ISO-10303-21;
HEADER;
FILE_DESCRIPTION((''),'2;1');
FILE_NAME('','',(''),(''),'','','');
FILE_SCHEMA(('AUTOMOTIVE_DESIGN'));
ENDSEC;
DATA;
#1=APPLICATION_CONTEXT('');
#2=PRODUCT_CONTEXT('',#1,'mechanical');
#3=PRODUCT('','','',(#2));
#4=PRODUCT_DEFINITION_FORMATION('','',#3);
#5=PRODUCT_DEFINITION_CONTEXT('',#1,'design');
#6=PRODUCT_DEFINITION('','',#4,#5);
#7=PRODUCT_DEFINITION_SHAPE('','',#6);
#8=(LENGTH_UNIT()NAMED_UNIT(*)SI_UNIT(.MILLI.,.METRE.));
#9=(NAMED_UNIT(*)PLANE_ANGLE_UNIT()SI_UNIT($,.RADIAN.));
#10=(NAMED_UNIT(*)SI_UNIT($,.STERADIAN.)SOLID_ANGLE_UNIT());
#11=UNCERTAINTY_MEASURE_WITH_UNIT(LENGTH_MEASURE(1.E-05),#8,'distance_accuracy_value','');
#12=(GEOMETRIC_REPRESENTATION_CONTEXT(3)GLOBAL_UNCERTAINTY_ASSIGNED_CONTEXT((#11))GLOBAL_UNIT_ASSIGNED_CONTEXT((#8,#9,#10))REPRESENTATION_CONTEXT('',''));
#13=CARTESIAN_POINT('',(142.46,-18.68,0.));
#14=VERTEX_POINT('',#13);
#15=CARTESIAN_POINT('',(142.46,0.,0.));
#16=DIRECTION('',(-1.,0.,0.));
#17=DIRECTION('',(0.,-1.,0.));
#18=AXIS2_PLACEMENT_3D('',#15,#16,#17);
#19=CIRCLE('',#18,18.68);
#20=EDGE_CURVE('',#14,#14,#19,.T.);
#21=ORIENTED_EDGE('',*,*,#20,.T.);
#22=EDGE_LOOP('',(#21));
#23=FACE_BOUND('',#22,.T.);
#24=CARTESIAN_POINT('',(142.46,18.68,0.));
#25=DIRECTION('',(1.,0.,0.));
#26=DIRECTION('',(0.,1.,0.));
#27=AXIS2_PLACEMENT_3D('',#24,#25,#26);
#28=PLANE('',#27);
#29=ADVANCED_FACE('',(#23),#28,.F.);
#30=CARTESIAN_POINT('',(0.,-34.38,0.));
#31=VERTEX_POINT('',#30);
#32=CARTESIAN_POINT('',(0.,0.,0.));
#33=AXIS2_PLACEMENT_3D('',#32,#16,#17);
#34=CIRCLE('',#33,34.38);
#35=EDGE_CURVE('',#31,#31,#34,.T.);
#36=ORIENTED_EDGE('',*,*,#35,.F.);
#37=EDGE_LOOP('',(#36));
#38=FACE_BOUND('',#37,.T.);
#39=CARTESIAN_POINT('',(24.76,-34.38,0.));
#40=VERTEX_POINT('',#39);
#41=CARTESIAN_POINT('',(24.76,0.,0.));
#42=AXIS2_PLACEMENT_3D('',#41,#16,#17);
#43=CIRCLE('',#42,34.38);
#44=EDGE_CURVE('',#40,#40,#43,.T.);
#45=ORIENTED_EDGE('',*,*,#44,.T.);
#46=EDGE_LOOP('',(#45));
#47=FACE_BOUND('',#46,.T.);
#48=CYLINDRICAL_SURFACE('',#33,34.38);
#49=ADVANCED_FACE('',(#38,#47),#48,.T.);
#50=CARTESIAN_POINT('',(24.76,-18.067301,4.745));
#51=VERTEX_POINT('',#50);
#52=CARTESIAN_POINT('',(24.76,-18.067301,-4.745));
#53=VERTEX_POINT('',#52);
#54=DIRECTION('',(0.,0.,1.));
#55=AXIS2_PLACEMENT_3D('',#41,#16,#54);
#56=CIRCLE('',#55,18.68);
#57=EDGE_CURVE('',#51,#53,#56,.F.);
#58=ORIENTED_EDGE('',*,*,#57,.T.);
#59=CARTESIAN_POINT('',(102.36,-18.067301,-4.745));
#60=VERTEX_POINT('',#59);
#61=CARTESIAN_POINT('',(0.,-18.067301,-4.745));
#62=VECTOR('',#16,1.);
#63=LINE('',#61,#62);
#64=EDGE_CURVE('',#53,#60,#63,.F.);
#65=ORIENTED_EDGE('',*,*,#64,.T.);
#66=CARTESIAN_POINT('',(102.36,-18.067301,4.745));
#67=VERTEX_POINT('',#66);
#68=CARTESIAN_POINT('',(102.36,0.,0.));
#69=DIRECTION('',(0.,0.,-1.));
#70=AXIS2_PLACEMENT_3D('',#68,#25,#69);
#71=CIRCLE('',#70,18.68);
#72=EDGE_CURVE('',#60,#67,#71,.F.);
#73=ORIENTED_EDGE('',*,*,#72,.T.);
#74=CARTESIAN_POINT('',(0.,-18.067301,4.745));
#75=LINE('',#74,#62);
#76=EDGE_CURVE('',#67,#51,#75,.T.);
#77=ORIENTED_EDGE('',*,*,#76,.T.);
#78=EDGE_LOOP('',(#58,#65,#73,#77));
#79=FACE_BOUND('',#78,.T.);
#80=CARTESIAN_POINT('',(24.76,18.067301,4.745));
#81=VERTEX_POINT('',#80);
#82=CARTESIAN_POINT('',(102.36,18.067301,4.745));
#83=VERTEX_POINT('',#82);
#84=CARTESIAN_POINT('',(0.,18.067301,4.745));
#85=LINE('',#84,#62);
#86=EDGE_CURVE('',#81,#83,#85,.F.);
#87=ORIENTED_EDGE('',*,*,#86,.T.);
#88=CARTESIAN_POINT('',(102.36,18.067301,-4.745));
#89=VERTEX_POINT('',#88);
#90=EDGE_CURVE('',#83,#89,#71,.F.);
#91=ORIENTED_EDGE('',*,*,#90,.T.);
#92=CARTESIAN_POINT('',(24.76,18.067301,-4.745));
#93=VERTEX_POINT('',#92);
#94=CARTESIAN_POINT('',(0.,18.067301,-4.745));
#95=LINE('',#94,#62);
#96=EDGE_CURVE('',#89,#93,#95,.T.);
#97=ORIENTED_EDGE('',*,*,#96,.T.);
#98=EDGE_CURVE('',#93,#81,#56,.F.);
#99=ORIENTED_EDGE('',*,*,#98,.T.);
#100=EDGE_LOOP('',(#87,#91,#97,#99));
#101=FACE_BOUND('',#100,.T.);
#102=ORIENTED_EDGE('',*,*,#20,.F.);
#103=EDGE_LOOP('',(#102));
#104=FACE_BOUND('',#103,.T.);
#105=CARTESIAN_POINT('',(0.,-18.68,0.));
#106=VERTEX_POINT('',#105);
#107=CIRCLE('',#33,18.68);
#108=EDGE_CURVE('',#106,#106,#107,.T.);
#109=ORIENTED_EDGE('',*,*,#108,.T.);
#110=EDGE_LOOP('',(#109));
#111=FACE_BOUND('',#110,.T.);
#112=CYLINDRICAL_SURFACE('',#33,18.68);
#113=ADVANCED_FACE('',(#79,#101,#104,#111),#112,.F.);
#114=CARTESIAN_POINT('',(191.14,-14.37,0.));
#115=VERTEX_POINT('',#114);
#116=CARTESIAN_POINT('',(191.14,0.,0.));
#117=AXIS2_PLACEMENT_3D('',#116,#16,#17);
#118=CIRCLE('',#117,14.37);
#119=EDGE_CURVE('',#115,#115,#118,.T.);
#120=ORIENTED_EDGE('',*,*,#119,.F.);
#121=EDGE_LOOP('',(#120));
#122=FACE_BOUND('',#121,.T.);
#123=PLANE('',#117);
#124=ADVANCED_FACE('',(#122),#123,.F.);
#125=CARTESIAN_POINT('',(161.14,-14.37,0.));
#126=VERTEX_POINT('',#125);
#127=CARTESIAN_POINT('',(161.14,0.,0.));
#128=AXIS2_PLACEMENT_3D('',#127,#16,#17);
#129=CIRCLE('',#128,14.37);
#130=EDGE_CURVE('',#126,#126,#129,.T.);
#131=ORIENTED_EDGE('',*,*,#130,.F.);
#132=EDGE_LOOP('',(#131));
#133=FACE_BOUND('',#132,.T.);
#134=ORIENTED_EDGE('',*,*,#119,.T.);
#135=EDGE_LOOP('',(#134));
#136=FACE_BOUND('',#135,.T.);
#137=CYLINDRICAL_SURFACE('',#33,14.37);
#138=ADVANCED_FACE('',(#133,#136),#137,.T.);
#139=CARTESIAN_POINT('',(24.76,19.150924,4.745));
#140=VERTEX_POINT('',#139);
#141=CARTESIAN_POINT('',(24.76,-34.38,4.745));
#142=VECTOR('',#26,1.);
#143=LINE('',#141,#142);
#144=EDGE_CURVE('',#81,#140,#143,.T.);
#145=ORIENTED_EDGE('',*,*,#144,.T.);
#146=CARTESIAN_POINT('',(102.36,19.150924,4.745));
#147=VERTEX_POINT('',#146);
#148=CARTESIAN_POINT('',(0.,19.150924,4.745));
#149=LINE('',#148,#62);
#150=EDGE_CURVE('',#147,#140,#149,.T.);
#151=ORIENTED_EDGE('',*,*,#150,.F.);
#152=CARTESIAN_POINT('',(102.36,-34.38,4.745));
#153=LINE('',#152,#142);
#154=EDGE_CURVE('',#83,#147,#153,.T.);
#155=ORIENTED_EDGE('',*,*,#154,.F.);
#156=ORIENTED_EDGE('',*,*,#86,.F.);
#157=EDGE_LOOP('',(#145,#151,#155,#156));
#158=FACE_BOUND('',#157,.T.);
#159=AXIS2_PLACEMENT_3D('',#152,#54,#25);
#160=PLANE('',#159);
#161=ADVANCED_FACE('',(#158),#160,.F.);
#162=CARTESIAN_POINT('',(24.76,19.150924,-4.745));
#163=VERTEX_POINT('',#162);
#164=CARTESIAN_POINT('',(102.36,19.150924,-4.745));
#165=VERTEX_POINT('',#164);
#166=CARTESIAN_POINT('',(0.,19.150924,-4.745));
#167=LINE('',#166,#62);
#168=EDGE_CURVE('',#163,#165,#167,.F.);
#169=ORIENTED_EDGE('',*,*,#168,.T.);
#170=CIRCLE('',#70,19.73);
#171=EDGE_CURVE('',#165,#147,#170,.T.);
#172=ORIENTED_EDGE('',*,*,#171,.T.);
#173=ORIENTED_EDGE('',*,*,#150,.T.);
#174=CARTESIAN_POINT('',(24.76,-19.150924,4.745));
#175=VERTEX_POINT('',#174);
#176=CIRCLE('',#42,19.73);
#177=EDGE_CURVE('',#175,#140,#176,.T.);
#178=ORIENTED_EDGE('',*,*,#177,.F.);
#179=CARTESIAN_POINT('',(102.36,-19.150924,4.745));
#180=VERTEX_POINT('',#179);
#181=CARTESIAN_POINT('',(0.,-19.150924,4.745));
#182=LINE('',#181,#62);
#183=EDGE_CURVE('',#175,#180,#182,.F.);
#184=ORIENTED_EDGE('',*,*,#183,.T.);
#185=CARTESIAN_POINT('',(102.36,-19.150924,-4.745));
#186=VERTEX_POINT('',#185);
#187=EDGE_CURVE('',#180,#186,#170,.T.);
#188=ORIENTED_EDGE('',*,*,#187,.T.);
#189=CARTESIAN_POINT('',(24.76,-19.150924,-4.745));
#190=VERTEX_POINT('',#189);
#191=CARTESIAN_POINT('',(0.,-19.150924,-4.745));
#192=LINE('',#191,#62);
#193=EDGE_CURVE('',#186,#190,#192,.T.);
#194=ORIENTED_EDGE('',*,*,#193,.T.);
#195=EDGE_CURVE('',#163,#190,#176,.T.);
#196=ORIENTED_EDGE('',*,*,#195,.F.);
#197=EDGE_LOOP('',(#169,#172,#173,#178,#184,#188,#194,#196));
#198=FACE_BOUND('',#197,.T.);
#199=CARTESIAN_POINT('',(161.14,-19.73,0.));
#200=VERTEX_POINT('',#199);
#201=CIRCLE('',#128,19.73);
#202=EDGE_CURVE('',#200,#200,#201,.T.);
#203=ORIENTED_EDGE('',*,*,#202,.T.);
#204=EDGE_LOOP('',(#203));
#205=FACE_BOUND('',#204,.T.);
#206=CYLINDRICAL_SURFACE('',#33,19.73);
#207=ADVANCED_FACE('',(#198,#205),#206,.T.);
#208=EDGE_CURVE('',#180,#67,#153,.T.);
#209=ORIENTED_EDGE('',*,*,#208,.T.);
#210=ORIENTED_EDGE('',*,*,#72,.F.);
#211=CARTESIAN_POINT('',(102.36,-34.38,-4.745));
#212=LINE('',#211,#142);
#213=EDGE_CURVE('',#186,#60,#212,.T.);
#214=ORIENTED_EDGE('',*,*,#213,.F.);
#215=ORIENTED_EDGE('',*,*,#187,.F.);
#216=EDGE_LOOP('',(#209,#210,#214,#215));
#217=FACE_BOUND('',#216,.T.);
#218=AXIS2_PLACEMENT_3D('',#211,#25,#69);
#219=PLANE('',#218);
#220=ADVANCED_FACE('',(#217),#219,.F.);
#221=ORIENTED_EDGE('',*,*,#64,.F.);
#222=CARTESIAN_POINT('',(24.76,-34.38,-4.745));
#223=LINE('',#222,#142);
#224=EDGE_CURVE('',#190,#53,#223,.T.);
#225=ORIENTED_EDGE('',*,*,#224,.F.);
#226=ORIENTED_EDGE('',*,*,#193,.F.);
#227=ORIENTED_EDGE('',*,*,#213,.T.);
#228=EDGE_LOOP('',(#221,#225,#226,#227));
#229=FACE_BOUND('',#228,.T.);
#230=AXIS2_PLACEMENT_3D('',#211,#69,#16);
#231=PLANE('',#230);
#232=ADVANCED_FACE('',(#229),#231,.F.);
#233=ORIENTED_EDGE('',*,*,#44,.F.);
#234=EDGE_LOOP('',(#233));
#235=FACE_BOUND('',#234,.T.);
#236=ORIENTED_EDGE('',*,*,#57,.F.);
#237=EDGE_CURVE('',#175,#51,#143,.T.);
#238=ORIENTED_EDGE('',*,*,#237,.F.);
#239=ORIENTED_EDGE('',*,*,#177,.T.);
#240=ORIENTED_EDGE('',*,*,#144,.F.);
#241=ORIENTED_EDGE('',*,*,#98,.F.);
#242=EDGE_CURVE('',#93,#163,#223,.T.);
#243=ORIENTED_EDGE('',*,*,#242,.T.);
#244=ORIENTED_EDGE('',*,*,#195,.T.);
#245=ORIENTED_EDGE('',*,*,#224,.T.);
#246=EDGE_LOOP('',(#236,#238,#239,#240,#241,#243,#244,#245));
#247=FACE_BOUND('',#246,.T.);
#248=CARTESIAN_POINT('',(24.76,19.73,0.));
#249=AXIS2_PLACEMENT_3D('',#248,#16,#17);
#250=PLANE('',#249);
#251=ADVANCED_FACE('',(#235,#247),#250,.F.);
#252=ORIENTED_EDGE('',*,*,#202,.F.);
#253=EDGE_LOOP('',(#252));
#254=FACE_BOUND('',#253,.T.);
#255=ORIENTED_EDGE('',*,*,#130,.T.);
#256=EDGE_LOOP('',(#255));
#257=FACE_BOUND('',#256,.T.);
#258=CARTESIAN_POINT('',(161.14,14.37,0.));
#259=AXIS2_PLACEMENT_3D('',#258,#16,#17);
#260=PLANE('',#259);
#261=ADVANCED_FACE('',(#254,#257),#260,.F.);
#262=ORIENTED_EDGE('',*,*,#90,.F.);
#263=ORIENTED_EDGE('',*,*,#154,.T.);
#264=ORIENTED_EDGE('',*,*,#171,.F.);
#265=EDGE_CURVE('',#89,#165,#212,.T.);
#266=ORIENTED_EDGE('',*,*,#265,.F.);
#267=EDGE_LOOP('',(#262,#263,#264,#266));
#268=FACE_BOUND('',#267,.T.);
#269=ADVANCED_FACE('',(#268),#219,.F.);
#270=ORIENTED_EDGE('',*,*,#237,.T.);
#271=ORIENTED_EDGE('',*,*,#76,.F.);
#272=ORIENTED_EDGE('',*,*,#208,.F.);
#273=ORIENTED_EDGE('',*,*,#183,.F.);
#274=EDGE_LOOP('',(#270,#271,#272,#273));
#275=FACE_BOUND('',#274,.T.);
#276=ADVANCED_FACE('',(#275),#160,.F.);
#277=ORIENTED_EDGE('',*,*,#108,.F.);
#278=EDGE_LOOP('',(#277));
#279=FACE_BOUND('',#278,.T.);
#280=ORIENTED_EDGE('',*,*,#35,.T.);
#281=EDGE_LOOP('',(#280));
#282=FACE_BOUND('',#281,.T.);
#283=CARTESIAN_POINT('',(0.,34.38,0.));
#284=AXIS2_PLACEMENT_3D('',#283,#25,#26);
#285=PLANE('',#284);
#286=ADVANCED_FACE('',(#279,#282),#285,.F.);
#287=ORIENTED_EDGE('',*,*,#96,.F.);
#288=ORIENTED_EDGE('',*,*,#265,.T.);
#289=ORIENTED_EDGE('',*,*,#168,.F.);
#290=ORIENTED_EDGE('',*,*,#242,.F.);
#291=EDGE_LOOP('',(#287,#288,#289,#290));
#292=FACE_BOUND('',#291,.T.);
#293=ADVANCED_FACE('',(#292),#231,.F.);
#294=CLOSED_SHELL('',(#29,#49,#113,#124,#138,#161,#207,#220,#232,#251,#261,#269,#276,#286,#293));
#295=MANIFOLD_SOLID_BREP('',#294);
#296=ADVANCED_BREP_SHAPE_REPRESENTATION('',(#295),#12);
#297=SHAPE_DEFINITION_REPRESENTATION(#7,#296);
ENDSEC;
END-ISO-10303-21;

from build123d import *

# Parameters (mm, degrees)
CUT_EXTRUDE2_DEPTH      = 198.226946435
CUT_EXTRUDE2_DEPTH_BACK = 198.226946435
SKETCH3_W               = 77.6
SKETCH3_H               = 9.49


with BuildPart() as part:
    # Sketch1 → Revolve2 (revolve)
    with BuildSketch(Plane.XY, mode=Mode.PRIVATE) as revolve2_sk:
        Polygon((191.14, 0), (191.14, 14.37), (161.14, 14.37), (161.14, 19.73), (24.76, 19.73), (24.76, 34.38), (0, 34.38), (0, 18.68), (142.46, 18.68), (142.46, 0), align=None)
    revolve(revolve2_sk.sketch.rotate(Axis((0, 0, 0), (1, 0, 0)), 180), axis=Axis((0, 0, 0), (1, 0, 0)))

    # Sketch3 → Cut-Extrude2 (cut, two sides: drawn at the far end of the back side and taken through both)
    with BuildSketch(Plane(origin=(0, 0, 0), x_dir=(1, 0, 0), z_dir=(0, 1, 0)).offset(-CUT_EXTRUDE2_DEPTH_BACK)):
        with Locations((63.56, 0)):
            Rectangle(SKETCH3_W, SKETCH3_H)
    extrude(amount=CUT_EXTRUDE2_DEPTH + CUT_EXTRUDE2_DEPTH_BACK, mode=Mode.SUBTRACT)


solid = part.part
